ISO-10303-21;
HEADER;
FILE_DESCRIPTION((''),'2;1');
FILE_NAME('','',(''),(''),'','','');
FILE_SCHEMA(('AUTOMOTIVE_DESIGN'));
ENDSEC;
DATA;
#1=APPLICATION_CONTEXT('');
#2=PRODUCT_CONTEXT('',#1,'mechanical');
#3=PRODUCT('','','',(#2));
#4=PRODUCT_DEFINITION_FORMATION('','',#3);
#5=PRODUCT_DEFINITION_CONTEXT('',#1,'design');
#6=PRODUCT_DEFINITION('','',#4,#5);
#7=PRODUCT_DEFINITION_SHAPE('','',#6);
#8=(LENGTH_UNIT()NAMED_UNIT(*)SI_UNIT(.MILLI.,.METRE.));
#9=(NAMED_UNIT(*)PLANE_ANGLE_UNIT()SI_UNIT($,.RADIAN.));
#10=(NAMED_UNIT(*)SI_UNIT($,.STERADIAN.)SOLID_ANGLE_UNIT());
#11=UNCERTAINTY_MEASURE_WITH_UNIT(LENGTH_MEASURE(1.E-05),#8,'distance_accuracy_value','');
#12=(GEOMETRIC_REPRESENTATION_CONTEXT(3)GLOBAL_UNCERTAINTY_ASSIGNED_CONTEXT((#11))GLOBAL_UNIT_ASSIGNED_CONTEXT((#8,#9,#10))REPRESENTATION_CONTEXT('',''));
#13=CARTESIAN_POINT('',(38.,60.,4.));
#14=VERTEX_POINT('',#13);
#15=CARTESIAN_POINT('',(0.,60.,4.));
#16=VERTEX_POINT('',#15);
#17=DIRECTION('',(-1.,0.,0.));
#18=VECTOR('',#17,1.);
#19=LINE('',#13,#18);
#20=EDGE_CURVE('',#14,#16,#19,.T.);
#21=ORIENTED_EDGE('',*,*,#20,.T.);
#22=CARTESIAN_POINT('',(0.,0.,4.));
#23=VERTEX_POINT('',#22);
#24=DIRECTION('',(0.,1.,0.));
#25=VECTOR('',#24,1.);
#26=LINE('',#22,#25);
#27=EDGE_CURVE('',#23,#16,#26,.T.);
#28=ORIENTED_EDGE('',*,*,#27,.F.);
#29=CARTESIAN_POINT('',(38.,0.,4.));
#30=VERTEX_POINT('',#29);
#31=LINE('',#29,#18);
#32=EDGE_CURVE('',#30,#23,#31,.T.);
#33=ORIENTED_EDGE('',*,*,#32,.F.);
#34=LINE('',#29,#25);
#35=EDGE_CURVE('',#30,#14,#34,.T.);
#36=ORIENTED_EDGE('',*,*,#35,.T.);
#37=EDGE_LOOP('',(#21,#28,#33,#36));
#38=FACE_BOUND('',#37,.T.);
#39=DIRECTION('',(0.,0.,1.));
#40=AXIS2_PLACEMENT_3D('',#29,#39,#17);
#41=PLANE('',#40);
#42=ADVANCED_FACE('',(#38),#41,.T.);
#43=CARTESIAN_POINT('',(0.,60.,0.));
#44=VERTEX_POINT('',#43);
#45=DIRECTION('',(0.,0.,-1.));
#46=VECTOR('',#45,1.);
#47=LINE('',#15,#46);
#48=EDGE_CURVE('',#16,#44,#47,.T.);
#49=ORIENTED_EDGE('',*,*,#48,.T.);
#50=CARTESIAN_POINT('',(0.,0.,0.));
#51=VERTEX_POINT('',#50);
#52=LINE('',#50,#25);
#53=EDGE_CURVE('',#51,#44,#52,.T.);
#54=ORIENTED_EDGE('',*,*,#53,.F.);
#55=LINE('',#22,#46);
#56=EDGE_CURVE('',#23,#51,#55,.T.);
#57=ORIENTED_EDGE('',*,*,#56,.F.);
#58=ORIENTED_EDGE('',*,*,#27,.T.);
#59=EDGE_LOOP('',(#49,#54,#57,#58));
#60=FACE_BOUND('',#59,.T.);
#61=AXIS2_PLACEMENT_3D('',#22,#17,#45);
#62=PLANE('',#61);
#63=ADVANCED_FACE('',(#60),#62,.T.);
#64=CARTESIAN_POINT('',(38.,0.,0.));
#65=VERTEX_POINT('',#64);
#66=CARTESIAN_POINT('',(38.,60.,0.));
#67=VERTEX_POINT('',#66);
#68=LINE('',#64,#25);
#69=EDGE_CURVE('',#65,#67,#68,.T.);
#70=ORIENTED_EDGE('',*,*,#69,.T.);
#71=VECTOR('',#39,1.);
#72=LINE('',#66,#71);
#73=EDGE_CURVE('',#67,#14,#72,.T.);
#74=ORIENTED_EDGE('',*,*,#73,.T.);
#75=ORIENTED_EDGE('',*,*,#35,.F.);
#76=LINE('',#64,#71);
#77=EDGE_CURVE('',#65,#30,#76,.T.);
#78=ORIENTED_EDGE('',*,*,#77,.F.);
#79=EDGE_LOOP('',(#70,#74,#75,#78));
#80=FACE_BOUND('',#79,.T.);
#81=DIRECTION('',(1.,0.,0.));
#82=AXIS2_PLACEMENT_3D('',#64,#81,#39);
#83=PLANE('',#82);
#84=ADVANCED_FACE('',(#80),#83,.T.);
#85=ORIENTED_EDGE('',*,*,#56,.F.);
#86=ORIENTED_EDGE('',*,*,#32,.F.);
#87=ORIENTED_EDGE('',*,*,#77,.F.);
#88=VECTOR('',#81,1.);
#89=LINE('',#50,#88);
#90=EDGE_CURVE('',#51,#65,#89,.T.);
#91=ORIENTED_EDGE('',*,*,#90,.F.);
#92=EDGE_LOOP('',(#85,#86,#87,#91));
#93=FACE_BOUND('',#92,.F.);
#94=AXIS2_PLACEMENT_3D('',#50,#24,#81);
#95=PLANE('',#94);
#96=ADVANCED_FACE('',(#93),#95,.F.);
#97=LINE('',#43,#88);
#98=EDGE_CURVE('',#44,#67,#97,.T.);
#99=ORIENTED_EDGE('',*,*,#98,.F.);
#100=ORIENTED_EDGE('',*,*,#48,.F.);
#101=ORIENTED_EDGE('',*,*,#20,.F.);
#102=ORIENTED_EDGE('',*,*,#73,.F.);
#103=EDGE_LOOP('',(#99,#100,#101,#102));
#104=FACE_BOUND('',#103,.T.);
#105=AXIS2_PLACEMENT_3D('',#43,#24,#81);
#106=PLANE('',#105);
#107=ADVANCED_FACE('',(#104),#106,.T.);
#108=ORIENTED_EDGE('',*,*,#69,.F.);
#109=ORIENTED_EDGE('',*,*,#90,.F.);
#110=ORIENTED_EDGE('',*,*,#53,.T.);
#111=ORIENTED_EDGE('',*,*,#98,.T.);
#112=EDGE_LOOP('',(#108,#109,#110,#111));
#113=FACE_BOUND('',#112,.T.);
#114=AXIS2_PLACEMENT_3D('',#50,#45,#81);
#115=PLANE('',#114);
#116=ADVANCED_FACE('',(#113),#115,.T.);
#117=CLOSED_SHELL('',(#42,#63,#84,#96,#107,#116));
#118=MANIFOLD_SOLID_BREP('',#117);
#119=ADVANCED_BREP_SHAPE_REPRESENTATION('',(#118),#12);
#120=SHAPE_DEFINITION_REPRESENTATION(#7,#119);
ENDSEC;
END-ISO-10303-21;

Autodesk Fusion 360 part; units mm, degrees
sketch "Sketch1" plane through (0, 0, 0) normal (0, 1, 0) x (1, 0, 0)
  line L0 (0, 0) -> (38, 0)
  line L1 (38, 0) -> (38, -4)
  line L2 (38, -4) -> (0, -4)
  line L3 (0, -4) -> (0, 0)
  dimension "d1" = 38
  dimension "d2" = 4
extrude "Extrude1" add sketch "Sketch1" along normal blind 60
